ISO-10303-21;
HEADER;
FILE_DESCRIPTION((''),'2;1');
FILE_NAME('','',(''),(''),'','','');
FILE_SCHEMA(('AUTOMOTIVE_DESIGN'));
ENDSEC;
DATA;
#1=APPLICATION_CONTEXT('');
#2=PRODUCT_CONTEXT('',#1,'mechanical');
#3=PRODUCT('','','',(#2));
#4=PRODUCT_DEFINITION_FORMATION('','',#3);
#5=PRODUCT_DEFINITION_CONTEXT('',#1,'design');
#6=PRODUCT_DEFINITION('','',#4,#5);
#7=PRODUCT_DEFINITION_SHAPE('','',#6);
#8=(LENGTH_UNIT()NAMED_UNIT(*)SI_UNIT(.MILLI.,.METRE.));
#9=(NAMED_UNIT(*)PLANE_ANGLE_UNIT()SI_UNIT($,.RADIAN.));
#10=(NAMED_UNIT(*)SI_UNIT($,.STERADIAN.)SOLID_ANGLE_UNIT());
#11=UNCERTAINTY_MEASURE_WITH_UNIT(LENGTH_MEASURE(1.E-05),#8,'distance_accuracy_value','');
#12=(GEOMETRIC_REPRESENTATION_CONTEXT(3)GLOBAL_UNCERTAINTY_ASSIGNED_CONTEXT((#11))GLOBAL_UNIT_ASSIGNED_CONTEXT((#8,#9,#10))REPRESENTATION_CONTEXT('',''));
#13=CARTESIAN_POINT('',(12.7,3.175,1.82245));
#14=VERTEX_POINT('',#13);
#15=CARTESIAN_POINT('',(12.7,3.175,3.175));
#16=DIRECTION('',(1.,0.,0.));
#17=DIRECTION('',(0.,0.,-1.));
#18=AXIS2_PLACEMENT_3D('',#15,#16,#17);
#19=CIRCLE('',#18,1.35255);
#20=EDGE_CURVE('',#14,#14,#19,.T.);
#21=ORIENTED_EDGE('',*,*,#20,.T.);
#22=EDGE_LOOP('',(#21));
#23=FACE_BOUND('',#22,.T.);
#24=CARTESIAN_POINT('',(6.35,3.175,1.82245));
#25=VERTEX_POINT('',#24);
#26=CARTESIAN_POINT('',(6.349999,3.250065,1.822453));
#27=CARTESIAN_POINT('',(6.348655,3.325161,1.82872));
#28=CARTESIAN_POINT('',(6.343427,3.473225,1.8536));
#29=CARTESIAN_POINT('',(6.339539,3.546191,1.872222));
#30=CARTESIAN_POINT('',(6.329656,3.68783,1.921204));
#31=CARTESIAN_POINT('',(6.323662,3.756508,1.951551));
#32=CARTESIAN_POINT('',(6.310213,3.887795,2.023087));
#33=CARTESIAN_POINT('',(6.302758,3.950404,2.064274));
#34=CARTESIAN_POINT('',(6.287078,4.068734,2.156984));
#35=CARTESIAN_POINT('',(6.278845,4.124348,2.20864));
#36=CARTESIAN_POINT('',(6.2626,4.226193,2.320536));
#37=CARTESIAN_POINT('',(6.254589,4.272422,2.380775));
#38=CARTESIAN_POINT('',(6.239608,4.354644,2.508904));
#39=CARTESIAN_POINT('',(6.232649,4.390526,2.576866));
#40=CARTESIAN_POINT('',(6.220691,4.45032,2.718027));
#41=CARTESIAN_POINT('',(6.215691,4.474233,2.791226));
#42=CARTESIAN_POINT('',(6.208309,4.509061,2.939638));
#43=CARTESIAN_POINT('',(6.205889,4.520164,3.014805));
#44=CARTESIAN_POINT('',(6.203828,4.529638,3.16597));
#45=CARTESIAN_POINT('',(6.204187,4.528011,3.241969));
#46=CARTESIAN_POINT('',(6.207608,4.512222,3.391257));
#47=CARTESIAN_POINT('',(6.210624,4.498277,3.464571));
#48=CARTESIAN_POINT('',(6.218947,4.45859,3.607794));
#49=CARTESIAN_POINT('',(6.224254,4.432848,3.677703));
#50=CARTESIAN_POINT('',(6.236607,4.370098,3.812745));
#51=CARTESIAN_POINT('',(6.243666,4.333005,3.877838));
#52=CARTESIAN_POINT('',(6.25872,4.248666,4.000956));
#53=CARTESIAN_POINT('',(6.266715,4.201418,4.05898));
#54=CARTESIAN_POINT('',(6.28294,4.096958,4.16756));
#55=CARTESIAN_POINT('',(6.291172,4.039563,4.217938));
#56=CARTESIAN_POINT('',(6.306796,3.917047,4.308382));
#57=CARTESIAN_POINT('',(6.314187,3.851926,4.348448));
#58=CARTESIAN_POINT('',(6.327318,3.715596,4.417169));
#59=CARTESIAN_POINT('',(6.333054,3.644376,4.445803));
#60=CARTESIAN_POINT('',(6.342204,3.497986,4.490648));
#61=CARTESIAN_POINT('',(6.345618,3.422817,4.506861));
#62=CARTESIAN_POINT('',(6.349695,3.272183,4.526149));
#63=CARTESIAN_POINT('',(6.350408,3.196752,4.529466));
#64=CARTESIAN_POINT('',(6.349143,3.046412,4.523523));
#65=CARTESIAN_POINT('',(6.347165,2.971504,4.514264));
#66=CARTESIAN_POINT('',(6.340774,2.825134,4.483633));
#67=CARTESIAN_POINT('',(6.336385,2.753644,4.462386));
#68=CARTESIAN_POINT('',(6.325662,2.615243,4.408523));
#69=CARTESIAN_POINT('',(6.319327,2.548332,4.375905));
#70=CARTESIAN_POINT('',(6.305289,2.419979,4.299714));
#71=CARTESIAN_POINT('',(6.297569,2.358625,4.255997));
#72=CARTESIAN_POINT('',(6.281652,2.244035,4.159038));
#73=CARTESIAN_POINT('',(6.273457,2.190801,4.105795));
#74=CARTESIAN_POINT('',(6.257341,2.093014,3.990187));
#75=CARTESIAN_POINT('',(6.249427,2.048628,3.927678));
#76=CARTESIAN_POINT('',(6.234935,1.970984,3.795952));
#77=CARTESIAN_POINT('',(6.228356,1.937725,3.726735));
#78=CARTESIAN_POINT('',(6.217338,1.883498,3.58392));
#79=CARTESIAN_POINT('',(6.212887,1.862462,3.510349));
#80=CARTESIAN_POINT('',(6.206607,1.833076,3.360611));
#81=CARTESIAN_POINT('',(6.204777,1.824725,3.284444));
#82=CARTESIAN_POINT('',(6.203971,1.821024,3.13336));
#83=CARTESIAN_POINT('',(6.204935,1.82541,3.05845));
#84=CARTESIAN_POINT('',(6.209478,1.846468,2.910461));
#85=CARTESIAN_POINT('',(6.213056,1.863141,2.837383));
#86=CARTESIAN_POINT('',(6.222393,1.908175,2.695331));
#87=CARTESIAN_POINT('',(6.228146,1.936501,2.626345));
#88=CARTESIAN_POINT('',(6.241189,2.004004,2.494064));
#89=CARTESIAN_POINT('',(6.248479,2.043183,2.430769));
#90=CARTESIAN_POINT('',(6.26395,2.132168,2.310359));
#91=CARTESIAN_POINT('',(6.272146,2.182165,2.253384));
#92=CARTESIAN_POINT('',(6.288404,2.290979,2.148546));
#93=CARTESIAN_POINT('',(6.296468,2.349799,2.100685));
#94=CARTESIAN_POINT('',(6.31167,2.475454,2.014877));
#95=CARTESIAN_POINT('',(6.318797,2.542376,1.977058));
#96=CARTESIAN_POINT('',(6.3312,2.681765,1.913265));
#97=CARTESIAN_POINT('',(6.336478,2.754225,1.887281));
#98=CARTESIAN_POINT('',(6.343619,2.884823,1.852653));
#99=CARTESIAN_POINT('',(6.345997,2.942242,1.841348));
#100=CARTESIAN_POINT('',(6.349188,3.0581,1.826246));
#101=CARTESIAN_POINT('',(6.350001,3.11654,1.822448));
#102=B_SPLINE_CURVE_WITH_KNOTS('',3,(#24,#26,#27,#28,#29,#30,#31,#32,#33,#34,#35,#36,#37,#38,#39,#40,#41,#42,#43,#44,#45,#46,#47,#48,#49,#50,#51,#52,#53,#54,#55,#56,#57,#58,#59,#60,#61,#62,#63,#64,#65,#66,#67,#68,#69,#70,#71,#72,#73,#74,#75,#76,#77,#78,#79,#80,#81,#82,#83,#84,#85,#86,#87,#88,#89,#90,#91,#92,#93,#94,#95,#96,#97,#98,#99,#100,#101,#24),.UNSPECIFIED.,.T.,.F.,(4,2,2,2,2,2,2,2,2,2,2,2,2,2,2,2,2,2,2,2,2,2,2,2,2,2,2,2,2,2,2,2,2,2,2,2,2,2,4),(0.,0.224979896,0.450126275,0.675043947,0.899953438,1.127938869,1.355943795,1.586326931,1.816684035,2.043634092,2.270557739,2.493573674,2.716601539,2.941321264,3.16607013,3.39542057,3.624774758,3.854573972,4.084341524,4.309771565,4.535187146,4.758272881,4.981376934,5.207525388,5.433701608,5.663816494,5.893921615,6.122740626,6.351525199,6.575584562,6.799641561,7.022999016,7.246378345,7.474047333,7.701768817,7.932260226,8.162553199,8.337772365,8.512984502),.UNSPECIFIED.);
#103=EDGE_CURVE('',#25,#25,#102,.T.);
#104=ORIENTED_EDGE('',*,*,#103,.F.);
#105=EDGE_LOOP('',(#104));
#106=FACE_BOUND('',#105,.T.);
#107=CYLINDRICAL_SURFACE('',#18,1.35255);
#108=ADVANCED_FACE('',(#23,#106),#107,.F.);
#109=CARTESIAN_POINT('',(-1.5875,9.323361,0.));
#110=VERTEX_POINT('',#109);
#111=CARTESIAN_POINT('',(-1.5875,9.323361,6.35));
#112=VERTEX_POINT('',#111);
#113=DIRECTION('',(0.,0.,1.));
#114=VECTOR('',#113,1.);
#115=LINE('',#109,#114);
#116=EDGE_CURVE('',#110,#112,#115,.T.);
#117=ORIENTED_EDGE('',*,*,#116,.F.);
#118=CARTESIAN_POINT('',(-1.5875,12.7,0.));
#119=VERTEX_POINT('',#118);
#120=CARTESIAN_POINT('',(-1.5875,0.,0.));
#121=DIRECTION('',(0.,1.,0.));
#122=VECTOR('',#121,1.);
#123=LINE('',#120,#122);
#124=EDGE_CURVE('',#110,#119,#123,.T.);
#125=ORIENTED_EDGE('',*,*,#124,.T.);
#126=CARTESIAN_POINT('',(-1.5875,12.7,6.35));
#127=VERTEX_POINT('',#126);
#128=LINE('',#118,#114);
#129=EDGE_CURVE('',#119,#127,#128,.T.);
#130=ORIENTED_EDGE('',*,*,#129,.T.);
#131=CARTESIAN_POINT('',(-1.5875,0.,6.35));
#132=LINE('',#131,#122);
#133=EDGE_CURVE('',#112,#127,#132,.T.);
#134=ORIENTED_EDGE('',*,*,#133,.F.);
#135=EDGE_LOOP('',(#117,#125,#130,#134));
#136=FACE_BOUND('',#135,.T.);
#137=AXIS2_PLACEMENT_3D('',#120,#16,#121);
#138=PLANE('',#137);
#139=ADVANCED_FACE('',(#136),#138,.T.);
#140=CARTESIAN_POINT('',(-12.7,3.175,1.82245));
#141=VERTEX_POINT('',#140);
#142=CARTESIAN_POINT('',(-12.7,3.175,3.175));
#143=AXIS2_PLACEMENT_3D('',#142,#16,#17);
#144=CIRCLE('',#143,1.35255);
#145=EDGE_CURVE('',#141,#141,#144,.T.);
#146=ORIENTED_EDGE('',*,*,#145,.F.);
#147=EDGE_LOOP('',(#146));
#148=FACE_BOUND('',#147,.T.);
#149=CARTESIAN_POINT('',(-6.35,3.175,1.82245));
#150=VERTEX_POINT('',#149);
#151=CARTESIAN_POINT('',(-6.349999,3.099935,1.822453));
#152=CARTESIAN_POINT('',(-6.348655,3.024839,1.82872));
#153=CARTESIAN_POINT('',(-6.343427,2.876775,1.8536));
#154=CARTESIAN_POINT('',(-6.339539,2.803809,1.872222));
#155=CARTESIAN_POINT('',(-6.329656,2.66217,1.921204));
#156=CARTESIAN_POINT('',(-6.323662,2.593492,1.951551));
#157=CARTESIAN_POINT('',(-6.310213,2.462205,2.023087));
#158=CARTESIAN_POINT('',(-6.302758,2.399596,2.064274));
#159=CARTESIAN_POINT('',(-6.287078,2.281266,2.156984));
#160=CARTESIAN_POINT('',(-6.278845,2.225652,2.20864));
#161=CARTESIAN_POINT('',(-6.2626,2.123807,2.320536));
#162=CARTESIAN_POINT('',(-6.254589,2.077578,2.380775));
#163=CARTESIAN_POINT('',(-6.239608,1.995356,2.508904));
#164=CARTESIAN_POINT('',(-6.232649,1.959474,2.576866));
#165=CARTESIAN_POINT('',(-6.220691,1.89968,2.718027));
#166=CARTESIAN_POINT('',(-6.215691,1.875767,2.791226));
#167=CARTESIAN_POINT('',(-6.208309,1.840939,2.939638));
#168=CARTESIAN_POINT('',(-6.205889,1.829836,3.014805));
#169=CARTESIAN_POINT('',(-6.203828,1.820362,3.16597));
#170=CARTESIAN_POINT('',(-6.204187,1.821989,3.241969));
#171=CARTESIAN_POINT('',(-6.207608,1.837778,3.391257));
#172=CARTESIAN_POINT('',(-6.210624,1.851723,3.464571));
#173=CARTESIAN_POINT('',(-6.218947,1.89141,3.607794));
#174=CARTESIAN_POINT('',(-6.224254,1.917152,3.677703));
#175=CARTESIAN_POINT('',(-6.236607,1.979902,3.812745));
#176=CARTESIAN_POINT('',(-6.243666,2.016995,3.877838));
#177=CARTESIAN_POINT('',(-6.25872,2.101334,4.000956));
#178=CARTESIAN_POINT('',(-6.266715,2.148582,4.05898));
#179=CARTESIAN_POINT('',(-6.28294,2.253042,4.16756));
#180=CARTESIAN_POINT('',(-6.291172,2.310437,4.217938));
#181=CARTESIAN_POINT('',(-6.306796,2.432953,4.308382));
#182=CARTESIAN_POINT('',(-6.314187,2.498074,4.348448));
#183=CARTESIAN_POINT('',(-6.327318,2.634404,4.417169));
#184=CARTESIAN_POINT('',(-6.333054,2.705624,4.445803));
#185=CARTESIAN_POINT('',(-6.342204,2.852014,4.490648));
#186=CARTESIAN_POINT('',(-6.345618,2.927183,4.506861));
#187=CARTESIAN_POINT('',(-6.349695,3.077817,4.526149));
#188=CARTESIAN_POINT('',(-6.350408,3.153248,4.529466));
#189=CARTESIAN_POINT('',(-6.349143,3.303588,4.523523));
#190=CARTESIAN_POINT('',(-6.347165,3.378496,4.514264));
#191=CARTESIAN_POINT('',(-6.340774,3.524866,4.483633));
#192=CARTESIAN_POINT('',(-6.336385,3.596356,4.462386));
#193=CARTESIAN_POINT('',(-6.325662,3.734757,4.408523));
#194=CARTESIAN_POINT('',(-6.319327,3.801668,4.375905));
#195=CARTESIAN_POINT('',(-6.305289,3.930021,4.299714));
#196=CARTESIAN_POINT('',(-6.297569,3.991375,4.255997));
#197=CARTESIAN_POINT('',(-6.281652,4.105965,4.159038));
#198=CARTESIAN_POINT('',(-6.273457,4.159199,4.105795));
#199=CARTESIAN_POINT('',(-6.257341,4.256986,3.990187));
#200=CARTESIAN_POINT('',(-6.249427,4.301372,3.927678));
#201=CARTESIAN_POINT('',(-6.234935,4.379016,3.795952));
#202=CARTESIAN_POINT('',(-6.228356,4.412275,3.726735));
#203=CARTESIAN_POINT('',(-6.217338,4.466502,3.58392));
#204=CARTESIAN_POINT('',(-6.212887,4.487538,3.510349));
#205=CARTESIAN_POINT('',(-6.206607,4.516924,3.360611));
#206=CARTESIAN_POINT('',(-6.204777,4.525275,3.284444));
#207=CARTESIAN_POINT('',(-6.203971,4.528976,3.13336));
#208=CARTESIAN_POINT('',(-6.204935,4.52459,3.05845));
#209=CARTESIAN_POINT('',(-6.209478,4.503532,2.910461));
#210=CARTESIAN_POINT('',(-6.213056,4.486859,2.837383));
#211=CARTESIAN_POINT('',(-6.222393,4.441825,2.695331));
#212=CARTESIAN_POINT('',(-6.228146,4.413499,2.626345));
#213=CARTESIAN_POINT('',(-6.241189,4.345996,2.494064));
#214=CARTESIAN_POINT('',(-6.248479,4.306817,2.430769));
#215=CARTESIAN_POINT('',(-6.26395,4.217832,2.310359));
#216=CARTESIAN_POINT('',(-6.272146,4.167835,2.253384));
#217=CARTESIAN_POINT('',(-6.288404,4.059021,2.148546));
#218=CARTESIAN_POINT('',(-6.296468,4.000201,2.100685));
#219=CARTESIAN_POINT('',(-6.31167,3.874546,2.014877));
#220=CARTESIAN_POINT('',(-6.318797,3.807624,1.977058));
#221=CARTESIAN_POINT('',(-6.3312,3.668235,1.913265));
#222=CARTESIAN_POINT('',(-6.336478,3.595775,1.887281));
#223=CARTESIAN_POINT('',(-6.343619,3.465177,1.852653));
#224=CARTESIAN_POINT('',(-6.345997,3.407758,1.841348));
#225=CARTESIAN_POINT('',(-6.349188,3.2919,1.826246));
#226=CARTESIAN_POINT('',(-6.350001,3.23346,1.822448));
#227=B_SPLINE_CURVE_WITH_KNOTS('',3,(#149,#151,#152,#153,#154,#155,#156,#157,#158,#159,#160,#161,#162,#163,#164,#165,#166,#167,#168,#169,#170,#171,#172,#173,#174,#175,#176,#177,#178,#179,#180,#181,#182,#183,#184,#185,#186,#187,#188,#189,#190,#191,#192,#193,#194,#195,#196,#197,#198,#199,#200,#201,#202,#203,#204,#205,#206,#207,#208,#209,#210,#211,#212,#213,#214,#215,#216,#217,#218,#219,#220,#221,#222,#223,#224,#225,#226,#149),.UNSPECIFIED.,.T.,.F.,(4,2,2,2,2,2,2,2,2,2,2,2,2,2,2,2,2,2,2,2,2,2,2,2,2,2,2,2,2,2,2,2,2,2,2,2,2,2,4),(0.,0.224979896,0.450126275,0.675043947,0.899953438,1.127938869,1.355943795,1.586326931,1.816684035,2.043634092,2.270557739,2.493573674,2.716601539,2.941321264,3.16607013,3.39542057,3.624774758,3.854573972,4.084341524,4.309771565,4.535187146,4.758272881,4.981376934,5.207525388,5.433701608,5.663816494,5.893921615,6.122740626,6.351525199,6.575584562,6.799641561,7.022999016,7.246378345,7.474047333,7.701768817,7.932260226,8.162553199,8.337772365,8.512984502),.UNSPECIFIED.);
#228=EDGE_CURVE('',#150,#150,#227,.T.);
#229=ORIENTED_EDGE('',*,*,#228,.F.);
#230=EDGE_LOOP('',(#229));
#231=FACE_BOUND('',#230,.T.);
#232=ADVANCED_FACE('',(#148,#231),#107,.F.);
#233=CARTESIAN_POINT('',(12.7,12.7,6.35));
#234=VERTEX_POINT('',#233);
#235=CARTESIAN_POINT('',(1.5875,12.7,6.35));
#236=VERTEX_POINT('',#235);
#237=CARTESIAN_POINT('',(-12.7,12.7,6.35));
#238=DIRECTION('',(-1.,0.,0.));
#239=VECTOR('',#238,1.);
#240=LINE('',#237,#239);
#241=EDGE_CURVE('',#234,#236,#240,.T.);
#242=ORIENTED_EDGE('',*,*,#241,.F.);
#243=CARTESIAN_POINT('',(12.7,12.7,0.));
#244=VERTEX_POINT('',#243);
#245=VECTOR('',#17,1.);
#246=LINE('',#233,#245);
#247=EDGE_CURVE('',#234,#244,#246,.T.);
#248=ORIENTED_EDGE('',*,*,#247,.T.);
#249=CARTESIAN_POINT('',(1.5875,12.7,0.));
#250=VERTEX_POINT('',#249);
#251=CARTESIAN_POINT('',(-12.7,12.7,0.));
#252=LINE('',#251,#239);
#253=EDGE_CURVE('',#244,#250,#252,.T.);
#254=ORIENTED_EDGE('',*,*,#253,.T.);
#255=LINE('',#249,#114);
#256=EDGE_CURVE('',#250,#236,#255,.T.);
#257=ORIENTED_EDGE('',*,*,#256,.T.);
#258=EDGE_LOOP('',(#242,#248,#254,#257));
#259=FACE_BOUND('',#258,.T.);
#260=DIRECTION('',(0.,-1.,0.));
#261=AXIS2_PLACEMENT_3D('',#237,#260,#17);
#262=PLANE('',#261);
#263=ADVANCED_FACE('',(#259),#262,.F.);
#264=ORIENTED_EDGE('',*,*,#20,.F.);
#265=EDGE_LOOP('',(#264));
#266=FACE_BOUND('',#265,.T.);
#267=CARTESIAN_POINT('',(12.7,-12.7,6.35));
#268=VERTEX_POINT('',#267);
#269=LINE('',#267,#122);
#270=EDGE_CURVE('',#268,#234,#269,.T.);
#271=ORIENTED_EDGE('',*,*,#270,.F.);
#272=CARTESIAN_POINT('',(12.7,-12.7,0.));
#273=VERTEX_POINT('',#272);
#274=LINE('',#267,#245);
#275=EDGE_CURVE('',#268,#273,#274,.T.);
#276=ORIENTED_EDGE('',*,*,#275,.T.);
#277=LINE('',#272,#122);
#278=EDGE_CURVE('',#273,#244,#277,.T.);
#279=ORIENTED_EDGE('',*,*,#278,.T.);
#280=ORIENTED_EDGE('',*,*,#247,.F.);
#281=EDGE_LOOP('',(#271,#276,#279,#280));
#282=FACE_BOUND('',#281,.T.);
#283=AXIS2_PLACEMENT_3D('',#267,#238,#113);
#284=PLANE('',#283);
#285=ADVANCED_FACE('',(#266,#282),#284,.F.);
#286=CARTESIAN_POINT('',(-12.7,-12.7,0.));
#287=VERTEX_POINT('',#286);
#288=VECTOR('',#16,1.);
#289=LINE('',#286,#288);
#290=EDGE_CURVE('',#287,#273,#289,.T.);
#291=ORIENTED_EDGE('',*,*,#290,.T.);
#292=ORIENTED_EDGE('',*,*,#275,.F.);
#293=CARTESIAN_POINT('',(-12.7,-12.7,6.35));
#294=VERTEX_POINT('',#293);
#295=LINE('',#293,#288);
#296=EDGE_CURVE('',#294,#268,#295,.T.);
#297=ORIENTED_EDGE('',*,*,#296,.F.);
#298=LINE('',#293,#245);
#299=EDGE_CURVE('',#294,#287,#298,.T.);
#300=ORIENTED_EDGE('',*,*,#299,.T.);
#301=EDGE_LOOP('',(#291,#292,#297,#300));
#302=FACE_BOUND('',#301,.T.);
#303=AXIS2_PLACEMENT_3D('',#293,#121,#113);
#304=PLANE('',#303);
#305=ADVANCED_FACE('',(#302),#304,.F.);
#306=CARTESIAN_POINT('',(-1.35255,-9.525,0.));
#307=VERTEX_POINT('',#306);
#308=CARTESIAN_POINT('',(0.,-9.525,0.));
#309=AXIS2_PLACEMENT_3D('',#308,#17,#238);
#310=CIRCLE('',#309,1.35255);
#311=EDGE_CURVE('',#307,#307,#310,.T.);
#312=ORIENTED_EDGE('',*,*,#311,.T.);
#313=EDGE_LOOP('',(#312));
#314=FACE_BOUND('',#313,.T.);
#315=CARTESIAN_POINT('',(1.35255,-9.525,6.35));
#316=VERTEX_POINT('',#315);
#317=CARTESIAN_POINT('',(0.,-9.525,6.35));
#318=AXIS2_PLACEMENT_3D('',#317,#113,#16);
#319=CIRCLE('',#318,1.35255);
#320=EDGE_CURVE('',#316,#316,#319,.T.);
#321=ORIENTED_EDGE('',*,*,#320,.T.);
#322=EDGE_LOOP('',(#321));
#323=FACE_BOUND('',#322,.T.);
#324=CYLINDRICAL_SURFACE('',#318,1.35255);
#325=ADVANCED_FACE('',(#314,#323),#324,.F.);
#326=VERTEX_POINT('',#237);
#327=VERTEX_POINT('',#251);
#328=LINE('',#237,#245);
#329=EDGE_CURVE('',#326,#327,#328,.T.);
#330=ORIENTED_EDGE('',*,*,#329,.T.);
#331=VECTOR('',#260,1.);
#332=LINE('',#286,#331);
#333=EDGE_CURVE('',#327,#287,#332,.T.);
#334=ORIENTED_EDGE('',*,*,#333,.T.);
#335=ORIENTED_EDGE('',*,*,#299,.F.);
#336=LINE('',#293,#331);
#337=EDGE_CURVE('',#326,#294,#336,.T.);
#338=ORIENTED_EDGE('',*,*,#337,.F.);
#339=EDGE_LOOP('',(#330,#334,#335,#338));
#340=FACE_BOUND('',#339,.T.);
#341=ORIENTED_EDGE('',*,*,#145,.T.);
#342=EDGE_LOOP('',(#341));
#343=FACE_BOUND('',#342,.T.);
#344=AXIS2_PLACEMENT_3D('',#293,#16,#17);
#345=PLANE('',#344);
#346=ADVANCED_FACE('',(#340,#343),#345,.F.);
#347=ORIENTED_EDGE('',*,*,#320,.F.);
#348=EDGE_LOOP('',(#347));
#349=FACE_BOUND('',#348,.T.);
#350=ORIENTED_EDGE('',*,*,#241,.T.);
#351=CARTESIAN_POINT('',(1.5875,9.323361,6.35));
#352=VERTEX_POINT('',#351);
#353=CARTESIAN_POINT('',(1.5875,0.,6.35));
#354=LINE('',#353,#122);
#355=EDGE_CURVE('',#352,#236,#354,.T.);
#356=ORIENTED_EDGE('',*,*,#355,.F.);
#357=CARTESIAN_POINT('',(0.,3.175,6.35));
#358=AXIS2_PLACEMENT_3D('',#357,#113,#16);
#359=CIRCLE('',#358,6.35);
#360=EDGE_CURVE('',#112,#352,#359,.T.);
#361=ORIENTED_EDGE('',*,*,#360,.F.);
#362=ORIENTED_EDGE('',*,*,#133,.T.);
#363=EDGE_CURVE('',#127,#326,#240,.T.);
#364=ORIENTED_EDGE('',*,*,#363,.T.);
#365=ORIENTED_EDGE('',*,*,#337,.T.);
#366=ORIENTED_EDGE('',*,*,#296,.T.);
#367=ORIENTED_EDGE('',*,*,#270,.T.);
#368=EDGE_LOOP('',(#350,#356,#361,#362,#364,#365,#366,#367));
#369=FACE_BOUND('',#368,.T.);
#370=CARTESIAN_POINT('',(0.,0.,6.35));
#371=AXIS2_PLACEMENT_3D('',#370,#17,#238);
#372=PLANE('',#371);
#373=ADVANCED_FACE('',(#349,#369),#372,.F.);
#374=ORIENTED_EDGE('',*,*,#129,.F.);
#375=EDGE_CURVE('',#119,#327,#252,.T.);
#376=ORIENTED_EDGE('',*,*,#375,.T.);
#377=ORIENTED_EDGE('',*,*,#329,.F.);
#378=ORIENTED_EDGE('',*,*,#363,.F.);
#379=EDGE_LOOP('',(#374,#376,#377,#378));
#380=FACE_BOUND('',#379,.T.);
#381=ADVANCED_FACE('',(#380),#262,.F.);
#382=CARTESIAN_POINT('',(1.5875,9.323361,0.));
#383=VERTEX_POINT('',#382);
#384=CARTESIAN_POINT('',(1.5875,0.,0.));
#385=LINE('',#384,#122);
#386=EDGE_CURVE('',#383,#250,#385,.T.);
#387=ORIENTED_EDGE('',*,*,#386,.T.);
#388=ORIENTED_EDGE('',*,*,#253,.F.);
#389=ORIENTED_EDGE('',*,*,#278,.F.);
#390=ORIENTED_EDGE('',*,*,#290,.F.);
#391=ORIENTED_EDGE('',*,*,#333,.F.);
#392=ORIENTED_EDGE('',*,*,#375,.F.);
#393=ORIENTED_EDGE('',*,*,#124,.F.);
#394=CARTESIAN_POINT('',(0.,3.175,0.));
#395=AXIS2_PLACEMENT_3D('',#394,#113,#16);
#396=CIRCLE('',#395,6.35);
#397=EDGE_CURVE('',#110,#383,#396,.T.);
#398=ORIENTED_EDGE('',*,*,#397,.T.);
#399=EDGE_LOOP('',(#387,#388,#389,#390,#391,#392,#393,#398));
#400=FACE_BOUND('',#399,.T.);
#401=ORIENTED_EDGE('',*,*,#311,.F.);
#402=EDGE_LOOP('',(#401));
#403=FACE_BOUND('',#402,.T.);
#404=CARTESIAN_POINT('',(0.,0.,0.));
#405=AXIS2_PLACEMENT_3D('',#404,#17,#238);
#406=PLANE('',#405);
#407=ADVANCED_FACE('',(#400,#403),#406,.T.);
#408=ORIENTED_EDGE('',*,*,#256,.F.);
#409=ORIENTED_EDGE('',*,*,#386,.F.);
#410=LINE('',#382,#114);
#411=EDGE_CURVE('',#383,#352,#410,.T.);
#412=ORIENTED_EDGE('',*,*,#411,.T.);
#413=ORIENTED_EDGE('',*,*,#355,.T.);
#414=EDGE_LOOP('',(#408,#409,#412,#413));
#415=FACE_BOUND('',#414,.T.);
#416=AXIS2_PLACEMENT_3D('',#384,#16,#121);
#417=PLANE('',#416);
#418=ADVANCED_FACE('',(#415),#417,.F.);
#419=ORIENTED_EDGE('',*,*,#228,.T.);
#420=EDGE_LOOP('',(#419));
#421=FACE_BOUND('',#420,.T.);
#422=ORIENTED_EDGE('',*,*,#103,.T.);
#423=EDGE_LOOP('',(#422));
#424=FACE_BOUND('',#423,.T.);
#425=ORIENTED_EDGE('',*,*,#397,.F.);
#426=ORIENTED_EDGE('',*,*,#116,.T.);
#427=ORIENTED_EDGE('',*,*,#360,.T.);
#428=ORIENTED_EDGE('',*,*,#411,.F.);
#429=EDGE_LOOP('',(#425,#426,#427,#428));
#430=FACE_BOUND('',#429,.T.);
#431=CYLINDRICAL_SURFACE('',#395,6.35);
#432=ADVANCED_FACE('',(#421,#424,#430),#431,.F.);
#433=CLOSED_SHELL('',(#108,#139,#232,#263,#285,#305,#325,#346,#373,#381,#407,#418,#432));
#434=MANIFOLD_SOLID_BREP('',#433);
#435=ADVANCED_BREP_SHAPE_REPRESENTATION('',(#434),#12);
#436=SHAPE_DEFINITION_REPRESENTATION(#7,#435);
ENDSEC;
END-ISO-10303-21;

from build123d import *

# Parameters (mm, degrees)
SKETCH1_W             = 25.4
SKETCH1_H             = 25.4
BOSS_EXTRUDE1_DEPTH   = 6.35
CUT_EXTRUDE1_DEPTH    = 20.05
F_6_32_TAPPED_HOLE1_D = 2.7051
F_6_32_TAPPED_HOLE2_D = 2.7051


with BuildPart() as part:
    # Sketch1 → Boss-Extrude1 (new body)
    with BuildSketch(Plane.XY):
        Rectangle(SKETCH1_W, SKETCH1_H)
    extrude(amount=BOSS_EXTRUDE1_DEPTH)

    # Sketch2 → Cut-Extrude1 (cut, through all)
    with BuildSketch(Plane.XY.offset(6.35)):
        with BuildLine():
            Line((-1.5875, 9.323361062), (-1.5875, 1.740204949))
            Line((-1.5875, 1.740204949), (1.5875, 1.740204949))
            Line((1.5875, 1.740204949), (1.5875, 9.323361062))
            ThreePointArc((1.5875, 9.323361062), (0, 9.525), (-1.5875, 9.323361062))
        make_face()
        with BuildLine():
            Line((1.5875, 1.740204949), (-1.5875, 1.740204949))
            Line((-1.5875, 1.740204949), (-1.5875, 9.323361062))
            ThreePointArc((-1.5875, 9.323361062), (-3.888564967, -1.845115786), (6.35, 3.175))
            ThreePointArc((6.35, 3.175), (5.020115786, 7.063564967), (1.5875, 9.323361062))
            Line((1.5875, 9.323361062), (1.5875, 1.740204949))
        make_face()
        with BuildLine():
            Line((-1.5875, 12.7), (-1.5875, 9.323361062))
            ThreePointArc((-1.5875, 9.323361062), (0, 9.525), (1.5875, 9.323361062))
            Line((1.5875, 9.323361062), (1.5875, 12.7))
            Line((1.5875, 12.7), (-1.5875, 12.7))
        make_face()
    extrude(amount=-CUT_EXTRUDE1_DEPTH, mode=Mode.SUBTRACT)

    # #6-32 Tapped Hole1 (through all)
    with Locations(Plane(origin=(12.7, 0, 0), x_dir=(0, 0, -1), z_dir=(1, 0, 0))):
        with Locations((-3.175, 3.175)):
            Hole(F_6_32_TAPPED_HOLE1_D / 2)

    # #6-32 Tapped Hole2 (through all)
    with Locations(Plane.XY.offset(6.35)):
        with Locations((0, -9.525)):
            Hole(F_6_32_TAPPED_HOLE2_D / 2)


solid = part.part
